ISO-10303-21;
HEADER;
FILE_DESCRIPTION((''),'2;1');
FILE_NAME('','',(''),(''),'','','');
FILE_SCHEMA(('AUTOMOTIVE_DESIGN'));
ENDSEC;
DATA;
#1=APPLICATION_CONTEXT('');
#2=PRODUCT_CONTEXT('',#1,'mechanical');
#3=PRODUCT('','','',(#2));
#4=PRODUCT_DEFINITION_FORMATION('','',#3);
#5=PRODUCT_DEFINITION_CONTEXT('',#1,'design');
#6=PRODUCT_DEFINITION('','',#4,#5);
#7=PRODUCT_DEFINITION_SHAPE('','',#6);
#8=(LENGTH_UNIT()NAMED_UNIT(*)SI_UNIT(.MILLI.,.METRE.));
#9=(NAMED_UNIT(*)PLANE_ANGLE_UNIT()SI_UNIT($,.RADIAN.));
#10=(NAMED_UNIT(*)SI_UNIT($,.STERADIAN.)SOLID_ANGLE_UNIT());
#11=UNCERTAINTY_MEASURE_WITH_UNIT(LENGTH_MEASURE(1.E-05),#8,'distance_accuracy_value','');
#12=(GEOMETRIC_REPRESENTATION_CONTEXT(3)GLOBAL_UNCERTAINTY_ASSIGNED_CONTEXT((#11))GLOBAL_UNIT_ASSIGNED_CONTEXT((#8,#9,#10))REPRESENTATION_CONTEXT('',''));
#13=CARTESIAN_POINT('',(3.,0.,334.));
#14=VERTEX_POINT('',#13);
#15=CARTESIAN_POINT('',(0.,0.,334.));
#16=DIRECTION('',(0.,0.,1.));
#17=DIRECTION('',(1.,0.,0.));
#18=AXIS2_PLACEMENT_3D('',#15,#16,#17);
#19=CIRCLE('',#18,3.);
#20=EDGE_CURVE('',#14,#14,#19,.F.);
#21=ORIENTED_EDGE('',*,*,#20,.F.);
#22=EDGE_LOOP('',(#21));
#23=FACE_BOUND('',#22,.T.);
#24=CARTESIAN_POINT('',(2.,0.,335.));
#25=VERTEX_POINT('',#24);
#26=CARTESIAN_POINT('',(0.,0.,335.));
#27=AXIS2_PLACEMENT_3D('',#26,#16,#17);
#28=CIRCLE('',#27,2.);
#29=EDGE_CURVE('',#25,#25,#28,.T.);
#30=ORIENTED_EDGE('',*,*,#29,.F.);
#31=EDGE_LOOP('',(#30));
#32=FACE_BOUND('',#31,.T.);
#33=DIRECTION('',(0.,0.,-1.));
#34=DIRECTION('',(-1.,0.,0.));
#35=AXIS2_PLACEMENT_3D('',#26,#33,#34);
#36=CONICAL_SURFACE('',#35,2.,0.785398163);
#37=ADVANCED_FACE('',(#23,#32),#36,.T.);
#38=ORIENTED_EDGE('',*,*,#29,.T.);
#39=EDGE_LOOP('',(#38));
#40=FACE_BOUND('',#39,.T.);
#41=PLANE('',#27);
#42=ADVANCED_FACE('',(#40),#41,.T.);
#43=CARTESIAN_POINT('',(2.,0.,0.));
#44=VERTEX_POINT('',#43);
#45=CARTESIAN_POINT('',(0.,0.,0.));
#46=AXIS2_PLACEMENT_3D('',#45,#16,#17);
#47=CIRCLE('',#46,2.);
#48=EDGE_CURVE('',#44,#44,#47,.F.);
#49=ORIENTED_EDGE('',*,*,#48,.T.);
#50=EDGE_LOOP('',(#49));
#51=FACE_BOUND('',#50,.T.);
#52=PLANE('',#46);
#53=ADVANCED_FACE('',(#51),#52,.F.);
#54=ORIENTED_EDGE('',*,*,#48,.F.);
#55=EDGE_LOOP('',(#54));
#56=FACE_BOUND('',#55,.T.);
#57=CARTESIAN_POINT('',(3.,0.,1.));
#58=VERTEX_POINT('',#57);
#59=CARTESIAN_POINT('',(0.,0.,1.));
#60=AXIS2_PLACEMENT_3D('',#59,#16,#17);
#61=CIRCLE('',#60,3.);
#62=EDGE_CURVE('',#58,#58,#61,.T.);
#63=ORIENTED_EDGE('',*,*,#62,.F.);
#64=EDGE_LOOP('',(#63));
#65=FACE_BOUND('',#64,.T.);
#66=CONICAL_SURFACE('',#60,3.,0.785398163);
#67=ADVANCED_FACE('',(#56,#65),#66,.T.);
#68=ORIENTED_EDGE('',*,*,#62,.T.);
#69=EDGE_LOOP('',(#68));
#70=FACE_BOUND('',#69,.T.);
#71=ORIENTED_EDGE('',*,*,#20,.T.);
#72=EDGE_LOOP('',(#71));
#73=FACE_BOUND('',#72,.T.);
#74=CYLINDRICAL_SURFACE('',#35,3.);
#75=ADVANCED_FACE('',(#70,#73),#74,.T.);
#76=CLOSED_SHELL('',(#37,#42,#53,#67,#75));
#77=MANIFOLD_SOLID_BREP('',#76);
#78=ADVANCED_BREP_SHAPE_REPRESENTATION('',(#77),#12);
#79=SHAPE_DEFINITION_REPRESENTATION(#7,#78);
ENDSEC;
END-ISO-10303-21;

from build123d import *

# Parameters (mm, degrees)
ESQUISSE1_R          = 3
BASE_EXTRUSION_DEPTH = 335
CHANFREIN1_SIZE      = 1


with BuildPart() as part:
    # Esquisse1 → Base-Extrusion (new body)
    with BuildSketch(Plane.XY):
        Circle(ESQUISSE1_R)
    extrude(amount=BASE_EXTRUSION_DEPTH)

    # Chanfrein1
    chanfrein1_edges = [part.edges().sort_by_distance(p)[0] for p in [
        (-3, 0, 0),
        (-3, 0, 335),
    ]]
    chamfer(chanfrein1_edges, length=CHANFREIN1_SIZE)


solid = part.part
